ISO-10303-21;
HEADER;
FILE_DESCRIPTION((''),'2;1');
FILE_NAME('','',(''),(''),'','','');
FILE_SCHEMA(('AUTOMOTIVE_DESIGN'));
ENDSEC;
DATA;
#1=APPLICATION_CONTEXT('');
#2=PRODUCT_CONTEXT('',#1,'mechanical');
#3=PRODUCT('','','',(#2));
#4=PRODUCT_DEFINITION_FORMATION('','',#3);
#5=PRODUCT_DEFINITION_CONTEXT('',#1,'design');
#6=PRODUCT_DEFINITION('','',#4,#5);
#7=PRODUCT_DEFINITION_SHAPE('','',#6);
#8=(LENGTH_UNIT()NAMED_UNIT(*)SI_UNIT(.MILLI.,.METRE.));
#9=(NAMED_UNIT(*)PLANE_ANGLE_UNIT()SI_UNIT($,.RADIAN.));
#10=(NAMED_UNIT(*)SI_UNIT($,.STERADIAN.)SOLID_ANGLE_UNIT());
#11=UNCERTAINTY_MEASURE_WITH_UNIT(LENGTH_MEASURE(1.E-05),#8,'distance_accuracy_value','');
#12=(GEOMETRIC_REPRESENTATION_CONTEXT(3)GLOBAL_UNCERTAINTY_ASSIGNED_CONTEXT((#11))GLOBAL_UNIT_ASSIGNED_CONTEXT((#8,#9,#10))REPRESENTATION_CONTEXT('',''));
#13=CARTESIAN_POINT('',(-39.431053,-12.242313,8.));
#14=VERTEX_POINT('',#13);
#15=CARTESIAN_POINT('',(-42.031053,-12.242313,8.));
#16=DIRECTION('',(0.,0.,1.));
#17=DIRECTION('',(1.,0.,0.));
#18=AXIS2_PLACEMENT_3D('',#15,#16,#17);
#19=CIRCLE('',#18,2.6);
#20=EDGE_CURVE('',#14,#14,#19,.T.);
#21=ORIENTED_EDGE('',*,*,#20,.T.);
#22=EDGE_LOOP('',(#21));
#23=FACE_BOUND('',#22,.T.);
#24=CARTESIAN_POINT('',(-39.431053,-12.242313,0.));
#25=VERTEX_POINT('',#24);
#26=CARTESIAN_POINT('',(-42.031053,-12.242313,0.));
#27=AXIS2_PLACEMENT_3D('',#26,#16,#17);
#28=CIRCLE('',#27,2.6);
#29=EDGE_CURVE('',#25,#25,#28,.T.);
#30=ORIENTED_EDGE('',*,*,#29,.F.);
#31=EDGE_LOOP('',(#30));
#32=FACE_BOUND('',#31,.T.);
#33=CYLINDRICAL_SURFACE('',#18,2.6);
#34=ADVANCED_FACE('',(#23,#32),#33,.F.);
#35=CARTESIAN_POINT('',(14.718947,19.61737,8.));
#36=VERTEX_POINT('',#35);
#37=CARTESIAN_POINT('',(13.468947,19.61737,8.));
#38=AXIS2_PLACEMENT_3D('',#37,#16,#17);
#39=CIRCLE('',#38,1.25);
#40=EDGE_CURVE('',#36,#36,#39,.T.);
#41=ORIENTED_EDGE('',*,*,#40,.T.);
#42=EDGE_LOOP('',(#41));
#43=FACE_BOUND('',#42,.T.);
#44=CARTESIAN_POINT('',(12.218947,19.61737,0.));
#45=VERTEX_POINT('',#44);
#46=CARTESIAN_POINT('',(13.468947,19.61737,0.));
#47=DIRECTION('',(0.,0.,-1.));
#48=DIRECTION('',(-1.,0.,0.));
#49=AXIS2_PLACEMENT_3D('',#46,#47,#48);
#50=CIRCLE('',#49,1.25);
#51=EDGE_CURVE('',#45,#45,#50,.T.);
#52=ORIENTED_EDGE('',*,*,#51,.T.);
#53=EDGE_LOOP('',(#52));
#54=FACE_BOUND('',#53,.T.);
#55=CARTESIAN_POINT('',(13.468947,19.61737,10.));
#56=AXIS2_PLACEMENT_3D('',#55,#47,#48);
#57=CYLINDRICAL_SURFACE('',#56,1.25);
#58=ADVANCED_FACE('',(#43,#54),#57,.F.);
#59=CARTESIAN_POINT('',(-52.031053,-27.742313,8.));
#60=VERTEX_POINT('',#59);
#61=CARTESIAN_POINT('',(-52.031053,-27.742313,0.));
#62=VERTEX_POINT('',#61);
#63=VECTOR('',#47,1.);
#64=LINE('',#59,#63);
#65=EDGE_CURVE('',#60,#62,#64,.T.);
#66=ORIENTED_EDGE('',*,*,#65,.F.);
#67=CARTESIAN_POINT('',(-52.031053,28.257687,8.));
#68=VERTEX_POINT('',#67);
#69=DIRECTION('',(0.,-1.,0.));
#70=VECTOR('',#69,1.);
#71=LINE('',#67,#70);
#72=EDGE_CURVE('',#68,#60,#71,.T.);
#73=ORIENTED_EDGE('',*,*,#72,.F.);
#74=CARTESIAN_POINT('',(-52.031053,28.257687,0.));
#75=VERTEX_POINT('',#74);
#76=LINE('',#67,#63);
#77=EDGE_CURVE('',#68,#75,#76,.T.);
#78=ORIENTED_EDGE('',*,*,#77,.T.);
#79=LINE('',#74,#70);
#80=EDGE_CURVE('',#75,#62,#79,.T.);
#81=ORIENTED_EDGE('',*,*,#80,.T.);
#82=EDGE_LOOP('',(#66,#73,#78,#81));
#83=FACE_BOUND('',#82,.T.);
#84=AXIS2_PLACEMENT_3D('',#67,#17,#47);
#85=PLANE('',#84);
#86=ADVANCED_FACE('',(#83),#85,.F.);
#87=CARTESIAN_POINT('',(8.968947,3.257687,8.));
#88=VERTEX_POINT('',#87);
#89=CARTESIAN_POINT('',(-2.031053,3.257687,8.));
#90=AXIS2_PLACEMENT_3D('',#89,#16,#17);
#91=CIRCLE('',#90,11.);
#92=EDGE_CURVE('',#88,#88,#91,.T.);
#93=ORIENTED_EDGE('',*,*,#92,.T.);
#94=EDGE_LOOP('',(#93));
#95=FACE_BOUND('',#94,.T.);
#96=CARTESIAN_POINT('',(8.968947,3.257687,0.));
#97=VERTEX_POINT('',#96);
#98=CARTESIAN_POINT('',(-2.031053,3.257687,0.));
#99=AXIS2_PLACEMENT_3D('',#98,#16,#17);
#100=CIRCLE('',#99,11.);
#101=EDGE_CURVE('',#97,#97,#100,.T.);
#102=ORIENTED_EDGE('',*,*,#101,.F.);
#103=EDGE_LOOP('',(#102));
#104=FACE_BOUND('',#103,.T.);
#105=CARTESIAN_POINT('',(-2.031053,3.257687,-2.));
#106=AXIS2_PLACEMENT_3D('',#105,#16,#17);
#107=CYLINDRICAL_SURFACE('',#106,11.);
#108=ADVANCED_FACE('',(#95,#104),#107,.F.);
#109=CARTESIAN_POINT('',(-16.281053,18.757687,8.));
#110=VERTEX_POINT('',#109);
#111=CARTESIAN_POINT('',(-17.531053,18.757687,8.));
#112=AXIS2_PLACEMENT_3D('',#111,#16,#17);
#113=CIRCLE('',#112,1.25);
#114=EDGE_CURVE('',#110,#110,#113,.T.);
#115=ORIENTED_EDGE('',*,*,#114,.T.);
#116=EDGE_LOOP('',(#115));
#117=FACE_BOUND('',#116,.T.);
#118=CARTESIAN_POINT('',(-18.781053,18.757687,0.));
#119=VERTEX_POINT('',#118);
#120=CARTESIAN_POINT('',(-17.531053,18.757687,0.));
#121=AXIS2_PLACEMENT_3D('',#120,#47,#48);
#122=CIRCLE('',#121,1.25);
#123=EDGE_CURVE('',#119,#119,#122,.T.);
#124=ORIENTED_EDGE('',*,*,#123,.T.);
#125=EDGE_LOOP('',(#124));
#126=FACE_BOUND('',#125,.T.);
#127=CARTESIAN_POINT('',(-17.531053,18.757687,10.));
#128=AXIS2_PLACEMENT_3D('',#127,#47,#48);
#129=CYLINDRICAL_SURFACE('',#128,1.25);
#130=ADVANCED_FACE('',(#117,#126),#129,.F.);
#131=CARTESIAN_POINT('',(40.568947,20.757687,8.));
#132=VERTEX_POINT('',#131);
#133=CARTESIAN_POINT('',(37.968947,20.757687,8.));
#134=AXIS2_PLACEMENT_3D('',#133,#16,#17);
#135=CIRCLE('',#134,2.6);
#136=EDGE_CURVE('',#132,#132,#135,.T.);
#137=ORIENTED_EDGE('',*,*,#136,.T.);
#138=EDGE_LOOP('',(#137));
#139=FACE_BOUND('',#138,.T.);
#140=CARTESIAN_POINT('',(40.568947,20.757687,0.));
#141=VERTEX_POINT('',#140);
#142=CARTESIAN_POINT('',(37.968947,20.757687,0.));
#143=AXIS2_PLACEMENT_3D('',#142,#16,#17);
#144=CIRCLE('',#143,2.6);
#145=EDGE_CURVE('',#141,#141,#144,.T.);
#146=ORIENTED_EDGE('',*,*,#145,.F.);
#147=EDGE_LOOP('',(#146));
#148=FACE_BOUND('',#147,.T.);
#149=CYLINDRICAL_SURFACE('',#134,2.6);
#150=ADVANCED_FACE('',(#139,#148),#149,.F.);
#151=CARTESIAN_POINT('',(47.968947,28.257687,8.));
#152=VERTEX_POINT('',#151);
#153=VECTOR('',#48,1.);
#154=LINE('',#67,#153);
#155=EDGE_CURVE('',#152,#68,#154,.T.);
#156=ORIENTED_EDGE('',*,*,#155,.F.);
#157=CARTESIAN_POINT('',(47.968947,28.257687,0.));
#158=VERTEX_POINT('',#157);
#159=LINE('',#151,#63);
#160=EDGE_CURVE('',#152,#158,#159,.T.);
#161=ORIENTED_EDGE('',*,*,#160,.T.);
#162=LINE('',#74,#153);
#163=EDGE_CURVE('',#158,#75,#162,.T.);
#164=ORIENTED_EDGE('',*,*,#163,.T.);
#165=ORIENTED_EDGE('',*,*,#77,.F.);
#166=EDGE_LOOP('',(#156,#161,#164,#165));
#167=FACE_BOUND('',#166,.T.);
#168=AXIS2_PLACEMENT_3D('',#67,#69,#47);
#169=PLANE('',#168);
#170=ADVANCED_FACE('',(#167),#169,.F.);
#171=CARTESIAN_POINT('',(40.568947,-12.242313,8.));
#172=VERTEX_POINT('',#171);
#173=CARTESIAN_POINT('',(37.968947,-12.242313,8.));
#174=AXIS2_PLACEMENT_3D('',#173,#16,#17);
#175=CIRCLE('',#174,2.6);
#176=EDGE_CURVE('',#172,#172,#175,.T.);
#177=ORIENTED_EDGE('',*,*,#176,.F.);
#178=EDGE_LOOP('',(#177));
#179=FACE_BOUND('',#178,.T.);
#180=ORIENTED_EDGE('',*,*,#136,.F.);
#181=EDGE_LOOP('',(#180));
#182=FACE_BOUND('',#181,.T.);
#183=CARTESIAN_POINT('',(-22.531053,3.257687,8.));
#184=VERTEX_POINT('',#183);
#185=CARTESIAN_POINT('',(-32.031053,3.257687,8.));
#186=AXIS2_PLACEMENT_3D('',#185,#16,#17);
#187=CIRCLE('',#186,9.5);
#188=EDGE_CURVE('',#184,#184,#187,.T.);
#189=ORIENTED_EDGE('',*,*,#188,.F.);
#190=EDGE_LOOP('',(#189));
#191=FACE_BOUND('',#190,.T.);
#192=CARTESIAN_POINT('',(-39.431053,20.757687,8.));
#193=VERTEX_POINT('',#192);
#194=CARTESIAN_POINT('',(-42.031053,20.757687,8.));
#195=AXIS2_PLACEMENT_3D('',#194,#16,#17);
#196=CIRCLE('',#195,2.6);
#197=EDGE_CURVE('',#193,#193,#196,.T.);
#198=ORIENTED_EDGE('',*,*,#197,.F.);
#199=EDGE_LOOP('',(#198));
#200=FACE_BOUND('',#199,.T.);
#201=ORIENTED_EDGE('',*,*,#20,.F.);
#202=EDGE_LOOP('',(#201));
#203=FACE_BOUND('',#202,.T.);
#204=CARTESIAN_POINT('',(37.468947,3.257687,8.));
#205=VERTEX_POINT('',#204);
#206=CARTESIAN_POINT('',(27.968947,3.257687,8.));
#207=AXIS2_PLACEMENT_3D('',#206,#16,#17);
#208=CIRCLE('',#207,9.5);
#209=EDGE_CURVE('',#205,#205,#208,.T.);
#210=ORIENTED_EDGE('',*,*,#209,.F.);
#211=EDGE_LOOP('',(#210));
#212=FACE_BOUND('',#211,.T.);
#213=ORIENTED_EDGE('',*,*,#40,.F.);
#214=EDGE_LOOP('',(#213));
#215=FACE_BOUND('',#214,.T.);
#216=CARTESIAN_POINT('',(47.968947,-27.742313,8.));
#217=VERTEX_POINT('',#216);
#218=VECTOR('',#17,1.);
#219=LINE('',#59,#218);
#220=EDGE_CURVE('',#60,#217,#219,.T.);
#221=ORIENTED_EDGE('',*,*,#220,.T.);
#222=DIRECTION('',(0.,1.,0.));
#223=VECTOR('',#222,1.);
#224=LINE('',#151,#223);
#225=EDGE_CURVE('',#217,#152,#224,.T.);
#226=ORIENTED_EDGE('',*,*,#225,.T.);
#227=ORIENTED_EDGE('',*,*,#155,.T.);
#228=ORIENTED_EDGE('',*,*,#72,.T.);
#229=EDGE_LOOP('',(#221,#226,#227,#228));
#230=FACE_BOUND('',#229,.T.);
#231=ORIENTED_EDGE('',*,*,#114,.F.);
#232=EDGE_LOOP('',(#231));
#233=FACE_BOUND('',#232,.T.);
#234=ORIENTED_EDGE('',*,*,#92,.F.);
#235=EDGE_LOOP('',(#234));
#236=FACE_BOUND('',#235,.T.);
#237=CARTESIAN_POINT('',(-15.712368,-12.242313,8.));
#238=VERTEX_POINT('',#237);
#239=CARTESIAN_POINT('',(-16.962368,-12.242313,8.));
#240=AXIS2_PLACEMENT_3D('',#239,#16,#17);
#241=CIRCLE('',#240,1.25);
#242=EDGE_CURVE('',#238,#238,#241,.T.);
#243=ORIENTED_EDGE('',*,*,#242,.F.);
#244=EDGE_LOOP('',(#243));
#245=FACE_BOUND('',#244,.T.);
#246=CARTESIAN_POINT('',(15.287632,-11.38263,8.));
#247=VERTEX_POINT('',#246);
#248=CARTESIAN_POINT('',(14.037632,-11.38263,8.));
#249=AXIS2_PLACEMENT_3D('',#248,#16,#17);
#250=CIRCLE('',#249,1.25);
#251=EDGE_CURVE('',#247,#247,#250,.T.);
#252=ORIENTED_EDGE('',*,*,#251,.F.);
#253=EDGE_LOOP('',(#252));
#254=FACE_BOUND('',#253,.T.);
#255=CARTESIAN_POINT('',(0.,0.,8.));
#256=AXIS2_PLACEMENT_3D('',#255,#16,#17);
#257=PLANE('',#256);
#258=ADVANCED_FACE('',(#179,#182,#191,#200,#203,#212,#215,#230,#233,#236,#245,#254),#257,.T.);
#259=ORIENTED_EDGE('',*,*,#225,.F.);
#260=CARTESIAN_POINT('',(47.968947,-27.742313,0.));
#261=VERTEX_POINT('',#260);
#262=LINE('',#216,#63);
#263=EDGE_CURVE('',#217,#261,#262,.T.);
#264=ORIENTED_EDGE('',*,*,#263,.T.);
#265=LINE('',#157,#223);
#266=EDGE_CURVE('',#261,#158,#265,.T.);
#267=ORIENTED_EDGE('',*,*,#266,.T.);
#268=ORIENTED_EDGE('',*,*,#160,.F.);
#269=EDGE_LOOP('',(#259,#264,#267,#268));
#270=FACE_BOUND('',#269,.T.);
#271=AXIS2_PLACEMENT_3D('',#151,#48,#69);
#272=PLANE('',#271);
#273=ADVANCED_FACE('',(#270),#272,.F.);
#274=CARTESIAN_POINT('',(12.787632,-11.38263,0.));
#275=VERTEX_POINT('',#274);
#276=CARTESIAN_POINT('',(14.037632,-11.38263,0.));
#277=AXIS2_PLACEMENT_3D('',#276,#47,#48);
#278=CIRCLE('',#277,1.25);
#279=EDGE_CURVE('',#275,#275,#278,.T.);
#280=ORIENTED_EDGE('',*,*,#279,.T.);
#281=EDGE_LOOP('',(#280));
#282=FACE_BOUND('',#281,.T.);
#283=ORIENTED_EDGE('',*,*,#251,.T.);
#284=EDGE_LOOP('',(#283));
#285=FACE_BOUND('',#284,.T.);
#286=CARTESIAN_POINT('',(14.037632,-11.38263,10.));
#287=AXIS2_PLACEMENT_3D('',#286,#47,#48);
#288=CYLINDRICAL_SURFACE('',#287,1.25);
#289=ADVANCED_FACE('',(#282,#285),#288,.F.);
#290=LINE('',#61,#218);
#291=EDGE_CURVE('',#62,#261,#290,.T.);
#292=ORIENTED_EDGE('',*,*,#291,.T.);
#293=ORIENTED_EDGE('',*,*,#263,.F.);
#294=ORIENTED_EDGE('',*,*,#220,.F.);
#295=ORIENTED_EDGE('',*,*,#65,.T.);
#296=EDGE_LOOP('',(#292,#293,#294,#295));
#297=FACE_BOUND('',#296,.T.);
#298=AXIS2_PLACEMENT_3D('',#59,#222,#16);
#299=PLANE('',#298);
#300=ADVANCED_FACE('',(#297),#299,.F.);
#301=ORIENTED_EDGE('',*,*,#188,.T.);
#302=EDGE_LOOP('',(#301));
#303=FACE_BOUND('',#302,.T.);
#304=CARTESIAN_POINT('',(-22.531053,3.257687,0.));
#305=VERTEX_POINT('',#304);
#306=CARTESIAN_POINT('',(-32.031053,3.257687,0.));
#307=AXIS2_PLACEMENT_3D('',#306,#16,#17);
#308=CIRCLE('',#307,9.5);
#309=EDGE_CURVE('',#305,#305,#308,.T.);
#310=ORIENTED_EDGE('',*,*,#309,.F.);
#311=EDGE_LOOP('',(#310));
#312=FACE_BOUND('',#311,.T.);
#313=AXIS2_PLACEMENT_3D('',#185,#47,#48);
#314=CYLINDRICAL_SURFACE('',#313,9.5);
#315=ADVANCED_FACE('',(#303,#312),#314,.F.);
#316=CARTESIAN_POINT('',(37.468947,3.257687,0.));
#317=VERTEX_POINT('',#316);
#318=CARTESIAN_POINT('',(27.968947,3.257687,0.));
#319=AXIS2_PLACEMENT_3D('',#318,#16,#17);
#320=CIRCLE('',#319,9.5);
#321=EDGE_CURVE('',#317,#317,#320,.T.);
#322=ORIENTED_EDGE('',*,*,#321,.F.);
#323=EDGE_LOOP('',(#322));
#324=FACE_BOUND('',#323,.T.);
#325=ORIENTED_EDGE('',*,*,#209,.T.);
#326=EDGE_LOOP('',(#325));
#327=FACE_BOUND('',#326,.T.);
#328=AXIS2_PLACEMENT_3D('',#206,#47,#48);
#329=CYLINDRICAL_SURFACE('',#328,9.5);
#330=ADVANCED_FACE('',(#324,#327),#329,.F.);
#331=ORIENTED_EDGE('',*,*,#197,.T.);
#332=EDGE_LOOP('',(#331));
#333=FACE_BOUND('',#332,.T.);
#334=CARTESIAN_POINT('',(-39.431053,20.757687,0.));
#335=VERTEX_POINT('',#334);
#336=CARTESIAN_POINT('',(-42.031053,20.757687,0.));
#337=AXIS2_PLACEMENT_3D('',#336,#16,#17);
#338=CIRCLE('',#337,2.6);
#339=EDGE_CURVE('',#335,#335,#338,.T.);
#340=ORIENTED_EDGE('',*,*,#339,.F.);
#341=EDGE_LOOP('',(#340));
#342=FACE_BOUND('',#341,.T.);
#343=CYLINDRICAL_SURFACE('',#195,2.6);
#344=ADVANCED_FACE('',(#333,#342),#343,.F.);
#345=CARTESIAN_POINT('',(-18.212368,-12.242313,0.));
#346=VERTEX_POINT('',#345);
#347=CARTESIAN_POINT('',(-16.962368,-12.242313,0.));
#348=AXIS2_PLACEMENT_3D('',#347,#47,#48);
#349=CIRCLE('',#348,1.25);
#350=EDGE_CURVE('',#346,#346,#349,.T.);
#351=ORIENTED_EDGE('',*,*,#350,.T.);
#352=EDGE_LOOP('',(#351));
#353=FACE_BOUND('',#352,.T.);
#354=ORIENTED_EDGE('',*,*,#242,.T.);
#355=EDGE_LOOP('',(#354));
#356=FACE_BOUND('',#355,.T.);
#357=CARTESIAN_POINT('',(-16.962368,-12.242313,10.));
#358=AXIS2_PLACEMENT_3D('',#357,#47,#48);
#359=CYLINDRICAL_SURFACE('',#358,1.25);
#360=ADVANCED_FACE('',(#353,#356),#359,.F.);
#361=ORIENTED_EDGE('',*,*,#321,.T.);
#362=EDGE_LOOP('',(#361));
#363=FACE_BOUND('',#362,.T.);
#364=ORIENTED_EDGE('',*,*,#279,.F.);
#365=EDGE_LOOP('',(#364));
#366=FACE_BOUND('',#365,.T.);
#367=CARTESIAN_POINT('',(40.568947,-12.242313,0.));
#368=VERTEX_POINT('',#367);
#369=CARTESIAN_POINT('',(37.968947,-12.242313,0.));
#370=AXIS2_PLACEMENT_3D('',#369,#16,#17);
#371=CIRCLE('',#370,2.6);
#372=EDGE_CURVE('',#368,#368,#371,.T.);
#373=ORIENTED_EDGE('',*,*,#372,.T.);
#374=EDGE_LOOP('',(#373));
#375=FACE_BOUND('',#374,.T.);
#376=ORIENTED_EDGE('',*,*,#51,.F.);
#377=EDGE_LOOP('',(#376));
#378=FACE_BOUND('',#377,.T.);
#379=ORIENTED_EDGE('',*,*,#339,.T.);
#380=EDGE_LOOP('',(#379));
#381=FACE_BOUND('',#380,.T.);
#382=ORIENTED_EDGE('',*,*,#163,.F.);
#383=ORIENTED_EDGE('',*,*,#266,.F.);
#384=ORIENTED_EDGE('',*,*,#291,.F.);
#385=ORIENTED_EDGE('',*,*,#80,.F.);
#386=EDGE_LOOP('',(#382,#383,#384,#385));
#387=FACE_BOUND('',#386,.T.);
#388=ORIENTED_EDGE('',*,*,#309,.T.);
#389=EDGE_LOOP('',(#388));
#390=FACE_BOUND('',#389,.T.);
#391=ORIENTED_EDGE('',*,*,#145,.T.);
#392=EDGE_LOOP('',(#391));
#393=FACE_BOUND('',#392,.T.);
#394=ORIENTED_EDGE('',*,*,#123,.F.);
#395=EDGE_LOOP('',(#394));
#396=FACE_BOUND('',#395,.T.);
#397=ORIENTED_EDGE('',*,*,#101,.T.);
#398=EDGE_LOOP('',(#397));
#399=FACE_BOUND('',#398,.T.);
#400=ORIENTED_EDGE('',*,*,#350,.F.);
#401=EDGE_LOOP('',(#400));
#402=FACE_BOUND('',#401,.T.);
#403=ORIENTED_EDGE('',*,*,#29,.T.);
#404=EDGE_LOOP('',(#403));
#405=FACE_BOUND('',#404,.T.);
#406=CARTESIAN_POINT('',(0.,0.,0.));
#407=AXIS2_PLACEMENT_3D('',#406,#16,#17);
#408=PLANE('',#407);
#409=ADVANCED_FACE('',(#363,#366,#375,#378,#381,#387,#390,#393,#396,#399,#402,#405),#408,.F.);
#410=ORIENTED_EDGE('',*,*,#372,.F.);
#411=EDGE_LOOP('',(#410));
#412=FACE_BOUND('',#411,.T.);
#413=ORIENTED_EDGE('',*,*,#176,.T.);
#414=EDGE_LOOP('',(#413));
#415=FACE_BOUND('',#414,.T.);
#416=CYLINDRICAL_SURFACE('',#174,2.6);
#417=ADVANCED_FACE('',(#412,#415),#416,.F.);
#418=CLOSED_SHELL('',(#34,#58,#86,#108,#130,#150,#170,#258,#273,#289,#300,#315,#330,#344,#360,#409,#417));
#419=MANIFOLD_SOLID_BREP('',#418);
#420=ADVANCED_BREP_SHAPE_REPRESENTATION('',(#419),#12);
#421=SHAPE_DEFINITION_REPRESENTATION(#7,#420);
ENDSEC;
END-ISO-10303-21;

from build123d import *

# Parameters (mm, degrees)
IZIM1_W                              = 100
IZIM1_H                              = 56
IZIM1_R                              = 9.5
IZIM1_R_2                            = 2.031053151
Y_KSEKLIK_EKSTR_ZYON1_DEPTH          = 8
IZIM2_R                              = 11
KES_EKSTR_ZYON1_DEPTH                = 10
IZIM3_R                              = 1.25
KES_EKSTR_ZYON2_DEPTH                = 10
M5_HELISARMAL_I_IN_Z_VANA_MATKAB_1_D = 5.2


with BuildPart() as part:
    # Çizim1 → Yükseklik-Ekstrüzyon1 (new body)
    with BuildSketch(Plane.XY):
        with Locations((-2.031053151, 0.257686676)):
            Rectangle(IZIM1_W, IZIM1_H)
        with Locations((-32.031053151, 3.257686676)):
            Circle(IZIM1_R, mode=Mode.SUBTRACT)
        with Locations((27.968946849, 3.257686676)):
            Circle(IZIM1_R, mode=Mode.SUBTRACT)
        with Locations((-2.031053151, 3.257686676)):
            Circle(IZIM1_R_2, mode=Mode.SUBTRACT)
    extrude(amount=Y_KSEKLIK_EKSTR_ZYON1_DEPTH)

    # Çizim2 → Kes-Ekstrüzyon1 (cut)
    with BuildSketch(Plane.XY.offset(8)):
        with Locations((-2.031053151, 3.257686676)):
            Circle(IZIM2_R)
    extrude(amount=-KES_EKSTR_ZYON1_DEPTH, mode=Mode.SUBTRACT)

    # Çizim3 → Kes-Ekstrüzyon2 (cut)
    with BuildSketch(Plane(origin=(0, 0, 0), x_dir=(-1, 0, 0), z_dir=(0, 0, -1))):
        with Locations((-13.468946849, 19.617369517)):
            Circle(IZIM3_R)
        with Locations((17.531053151, 18.757686676)):
            Circle(IZIM3_R)
        with Locations((16.962368033, -12.242313324)):
            Circle(IZIM3_R)
        with Locations((-14.037631967, -11.382630483)):
            Circle(IZIM3_R)
    extrude(amount=-KES_EKSTR_ZYON2_DEPTH, mode=Mode.SUBTRACT)

    # M5 Helisarmal için Zıvana matkabı1 (through all)
    with Locations(Plane(origin=(-42.031053151, 20.757686676, 8), x_dir=(1, 0, 0), z_dir=(0, 0, 1))):
        with Locations((0, 0), (80, 0), (80, -33), (0, -33)):
            Hole(M5_HELISARMAL_I_IN_Z_VANA_MATKAB_1_D / 2)


solid = part.part
